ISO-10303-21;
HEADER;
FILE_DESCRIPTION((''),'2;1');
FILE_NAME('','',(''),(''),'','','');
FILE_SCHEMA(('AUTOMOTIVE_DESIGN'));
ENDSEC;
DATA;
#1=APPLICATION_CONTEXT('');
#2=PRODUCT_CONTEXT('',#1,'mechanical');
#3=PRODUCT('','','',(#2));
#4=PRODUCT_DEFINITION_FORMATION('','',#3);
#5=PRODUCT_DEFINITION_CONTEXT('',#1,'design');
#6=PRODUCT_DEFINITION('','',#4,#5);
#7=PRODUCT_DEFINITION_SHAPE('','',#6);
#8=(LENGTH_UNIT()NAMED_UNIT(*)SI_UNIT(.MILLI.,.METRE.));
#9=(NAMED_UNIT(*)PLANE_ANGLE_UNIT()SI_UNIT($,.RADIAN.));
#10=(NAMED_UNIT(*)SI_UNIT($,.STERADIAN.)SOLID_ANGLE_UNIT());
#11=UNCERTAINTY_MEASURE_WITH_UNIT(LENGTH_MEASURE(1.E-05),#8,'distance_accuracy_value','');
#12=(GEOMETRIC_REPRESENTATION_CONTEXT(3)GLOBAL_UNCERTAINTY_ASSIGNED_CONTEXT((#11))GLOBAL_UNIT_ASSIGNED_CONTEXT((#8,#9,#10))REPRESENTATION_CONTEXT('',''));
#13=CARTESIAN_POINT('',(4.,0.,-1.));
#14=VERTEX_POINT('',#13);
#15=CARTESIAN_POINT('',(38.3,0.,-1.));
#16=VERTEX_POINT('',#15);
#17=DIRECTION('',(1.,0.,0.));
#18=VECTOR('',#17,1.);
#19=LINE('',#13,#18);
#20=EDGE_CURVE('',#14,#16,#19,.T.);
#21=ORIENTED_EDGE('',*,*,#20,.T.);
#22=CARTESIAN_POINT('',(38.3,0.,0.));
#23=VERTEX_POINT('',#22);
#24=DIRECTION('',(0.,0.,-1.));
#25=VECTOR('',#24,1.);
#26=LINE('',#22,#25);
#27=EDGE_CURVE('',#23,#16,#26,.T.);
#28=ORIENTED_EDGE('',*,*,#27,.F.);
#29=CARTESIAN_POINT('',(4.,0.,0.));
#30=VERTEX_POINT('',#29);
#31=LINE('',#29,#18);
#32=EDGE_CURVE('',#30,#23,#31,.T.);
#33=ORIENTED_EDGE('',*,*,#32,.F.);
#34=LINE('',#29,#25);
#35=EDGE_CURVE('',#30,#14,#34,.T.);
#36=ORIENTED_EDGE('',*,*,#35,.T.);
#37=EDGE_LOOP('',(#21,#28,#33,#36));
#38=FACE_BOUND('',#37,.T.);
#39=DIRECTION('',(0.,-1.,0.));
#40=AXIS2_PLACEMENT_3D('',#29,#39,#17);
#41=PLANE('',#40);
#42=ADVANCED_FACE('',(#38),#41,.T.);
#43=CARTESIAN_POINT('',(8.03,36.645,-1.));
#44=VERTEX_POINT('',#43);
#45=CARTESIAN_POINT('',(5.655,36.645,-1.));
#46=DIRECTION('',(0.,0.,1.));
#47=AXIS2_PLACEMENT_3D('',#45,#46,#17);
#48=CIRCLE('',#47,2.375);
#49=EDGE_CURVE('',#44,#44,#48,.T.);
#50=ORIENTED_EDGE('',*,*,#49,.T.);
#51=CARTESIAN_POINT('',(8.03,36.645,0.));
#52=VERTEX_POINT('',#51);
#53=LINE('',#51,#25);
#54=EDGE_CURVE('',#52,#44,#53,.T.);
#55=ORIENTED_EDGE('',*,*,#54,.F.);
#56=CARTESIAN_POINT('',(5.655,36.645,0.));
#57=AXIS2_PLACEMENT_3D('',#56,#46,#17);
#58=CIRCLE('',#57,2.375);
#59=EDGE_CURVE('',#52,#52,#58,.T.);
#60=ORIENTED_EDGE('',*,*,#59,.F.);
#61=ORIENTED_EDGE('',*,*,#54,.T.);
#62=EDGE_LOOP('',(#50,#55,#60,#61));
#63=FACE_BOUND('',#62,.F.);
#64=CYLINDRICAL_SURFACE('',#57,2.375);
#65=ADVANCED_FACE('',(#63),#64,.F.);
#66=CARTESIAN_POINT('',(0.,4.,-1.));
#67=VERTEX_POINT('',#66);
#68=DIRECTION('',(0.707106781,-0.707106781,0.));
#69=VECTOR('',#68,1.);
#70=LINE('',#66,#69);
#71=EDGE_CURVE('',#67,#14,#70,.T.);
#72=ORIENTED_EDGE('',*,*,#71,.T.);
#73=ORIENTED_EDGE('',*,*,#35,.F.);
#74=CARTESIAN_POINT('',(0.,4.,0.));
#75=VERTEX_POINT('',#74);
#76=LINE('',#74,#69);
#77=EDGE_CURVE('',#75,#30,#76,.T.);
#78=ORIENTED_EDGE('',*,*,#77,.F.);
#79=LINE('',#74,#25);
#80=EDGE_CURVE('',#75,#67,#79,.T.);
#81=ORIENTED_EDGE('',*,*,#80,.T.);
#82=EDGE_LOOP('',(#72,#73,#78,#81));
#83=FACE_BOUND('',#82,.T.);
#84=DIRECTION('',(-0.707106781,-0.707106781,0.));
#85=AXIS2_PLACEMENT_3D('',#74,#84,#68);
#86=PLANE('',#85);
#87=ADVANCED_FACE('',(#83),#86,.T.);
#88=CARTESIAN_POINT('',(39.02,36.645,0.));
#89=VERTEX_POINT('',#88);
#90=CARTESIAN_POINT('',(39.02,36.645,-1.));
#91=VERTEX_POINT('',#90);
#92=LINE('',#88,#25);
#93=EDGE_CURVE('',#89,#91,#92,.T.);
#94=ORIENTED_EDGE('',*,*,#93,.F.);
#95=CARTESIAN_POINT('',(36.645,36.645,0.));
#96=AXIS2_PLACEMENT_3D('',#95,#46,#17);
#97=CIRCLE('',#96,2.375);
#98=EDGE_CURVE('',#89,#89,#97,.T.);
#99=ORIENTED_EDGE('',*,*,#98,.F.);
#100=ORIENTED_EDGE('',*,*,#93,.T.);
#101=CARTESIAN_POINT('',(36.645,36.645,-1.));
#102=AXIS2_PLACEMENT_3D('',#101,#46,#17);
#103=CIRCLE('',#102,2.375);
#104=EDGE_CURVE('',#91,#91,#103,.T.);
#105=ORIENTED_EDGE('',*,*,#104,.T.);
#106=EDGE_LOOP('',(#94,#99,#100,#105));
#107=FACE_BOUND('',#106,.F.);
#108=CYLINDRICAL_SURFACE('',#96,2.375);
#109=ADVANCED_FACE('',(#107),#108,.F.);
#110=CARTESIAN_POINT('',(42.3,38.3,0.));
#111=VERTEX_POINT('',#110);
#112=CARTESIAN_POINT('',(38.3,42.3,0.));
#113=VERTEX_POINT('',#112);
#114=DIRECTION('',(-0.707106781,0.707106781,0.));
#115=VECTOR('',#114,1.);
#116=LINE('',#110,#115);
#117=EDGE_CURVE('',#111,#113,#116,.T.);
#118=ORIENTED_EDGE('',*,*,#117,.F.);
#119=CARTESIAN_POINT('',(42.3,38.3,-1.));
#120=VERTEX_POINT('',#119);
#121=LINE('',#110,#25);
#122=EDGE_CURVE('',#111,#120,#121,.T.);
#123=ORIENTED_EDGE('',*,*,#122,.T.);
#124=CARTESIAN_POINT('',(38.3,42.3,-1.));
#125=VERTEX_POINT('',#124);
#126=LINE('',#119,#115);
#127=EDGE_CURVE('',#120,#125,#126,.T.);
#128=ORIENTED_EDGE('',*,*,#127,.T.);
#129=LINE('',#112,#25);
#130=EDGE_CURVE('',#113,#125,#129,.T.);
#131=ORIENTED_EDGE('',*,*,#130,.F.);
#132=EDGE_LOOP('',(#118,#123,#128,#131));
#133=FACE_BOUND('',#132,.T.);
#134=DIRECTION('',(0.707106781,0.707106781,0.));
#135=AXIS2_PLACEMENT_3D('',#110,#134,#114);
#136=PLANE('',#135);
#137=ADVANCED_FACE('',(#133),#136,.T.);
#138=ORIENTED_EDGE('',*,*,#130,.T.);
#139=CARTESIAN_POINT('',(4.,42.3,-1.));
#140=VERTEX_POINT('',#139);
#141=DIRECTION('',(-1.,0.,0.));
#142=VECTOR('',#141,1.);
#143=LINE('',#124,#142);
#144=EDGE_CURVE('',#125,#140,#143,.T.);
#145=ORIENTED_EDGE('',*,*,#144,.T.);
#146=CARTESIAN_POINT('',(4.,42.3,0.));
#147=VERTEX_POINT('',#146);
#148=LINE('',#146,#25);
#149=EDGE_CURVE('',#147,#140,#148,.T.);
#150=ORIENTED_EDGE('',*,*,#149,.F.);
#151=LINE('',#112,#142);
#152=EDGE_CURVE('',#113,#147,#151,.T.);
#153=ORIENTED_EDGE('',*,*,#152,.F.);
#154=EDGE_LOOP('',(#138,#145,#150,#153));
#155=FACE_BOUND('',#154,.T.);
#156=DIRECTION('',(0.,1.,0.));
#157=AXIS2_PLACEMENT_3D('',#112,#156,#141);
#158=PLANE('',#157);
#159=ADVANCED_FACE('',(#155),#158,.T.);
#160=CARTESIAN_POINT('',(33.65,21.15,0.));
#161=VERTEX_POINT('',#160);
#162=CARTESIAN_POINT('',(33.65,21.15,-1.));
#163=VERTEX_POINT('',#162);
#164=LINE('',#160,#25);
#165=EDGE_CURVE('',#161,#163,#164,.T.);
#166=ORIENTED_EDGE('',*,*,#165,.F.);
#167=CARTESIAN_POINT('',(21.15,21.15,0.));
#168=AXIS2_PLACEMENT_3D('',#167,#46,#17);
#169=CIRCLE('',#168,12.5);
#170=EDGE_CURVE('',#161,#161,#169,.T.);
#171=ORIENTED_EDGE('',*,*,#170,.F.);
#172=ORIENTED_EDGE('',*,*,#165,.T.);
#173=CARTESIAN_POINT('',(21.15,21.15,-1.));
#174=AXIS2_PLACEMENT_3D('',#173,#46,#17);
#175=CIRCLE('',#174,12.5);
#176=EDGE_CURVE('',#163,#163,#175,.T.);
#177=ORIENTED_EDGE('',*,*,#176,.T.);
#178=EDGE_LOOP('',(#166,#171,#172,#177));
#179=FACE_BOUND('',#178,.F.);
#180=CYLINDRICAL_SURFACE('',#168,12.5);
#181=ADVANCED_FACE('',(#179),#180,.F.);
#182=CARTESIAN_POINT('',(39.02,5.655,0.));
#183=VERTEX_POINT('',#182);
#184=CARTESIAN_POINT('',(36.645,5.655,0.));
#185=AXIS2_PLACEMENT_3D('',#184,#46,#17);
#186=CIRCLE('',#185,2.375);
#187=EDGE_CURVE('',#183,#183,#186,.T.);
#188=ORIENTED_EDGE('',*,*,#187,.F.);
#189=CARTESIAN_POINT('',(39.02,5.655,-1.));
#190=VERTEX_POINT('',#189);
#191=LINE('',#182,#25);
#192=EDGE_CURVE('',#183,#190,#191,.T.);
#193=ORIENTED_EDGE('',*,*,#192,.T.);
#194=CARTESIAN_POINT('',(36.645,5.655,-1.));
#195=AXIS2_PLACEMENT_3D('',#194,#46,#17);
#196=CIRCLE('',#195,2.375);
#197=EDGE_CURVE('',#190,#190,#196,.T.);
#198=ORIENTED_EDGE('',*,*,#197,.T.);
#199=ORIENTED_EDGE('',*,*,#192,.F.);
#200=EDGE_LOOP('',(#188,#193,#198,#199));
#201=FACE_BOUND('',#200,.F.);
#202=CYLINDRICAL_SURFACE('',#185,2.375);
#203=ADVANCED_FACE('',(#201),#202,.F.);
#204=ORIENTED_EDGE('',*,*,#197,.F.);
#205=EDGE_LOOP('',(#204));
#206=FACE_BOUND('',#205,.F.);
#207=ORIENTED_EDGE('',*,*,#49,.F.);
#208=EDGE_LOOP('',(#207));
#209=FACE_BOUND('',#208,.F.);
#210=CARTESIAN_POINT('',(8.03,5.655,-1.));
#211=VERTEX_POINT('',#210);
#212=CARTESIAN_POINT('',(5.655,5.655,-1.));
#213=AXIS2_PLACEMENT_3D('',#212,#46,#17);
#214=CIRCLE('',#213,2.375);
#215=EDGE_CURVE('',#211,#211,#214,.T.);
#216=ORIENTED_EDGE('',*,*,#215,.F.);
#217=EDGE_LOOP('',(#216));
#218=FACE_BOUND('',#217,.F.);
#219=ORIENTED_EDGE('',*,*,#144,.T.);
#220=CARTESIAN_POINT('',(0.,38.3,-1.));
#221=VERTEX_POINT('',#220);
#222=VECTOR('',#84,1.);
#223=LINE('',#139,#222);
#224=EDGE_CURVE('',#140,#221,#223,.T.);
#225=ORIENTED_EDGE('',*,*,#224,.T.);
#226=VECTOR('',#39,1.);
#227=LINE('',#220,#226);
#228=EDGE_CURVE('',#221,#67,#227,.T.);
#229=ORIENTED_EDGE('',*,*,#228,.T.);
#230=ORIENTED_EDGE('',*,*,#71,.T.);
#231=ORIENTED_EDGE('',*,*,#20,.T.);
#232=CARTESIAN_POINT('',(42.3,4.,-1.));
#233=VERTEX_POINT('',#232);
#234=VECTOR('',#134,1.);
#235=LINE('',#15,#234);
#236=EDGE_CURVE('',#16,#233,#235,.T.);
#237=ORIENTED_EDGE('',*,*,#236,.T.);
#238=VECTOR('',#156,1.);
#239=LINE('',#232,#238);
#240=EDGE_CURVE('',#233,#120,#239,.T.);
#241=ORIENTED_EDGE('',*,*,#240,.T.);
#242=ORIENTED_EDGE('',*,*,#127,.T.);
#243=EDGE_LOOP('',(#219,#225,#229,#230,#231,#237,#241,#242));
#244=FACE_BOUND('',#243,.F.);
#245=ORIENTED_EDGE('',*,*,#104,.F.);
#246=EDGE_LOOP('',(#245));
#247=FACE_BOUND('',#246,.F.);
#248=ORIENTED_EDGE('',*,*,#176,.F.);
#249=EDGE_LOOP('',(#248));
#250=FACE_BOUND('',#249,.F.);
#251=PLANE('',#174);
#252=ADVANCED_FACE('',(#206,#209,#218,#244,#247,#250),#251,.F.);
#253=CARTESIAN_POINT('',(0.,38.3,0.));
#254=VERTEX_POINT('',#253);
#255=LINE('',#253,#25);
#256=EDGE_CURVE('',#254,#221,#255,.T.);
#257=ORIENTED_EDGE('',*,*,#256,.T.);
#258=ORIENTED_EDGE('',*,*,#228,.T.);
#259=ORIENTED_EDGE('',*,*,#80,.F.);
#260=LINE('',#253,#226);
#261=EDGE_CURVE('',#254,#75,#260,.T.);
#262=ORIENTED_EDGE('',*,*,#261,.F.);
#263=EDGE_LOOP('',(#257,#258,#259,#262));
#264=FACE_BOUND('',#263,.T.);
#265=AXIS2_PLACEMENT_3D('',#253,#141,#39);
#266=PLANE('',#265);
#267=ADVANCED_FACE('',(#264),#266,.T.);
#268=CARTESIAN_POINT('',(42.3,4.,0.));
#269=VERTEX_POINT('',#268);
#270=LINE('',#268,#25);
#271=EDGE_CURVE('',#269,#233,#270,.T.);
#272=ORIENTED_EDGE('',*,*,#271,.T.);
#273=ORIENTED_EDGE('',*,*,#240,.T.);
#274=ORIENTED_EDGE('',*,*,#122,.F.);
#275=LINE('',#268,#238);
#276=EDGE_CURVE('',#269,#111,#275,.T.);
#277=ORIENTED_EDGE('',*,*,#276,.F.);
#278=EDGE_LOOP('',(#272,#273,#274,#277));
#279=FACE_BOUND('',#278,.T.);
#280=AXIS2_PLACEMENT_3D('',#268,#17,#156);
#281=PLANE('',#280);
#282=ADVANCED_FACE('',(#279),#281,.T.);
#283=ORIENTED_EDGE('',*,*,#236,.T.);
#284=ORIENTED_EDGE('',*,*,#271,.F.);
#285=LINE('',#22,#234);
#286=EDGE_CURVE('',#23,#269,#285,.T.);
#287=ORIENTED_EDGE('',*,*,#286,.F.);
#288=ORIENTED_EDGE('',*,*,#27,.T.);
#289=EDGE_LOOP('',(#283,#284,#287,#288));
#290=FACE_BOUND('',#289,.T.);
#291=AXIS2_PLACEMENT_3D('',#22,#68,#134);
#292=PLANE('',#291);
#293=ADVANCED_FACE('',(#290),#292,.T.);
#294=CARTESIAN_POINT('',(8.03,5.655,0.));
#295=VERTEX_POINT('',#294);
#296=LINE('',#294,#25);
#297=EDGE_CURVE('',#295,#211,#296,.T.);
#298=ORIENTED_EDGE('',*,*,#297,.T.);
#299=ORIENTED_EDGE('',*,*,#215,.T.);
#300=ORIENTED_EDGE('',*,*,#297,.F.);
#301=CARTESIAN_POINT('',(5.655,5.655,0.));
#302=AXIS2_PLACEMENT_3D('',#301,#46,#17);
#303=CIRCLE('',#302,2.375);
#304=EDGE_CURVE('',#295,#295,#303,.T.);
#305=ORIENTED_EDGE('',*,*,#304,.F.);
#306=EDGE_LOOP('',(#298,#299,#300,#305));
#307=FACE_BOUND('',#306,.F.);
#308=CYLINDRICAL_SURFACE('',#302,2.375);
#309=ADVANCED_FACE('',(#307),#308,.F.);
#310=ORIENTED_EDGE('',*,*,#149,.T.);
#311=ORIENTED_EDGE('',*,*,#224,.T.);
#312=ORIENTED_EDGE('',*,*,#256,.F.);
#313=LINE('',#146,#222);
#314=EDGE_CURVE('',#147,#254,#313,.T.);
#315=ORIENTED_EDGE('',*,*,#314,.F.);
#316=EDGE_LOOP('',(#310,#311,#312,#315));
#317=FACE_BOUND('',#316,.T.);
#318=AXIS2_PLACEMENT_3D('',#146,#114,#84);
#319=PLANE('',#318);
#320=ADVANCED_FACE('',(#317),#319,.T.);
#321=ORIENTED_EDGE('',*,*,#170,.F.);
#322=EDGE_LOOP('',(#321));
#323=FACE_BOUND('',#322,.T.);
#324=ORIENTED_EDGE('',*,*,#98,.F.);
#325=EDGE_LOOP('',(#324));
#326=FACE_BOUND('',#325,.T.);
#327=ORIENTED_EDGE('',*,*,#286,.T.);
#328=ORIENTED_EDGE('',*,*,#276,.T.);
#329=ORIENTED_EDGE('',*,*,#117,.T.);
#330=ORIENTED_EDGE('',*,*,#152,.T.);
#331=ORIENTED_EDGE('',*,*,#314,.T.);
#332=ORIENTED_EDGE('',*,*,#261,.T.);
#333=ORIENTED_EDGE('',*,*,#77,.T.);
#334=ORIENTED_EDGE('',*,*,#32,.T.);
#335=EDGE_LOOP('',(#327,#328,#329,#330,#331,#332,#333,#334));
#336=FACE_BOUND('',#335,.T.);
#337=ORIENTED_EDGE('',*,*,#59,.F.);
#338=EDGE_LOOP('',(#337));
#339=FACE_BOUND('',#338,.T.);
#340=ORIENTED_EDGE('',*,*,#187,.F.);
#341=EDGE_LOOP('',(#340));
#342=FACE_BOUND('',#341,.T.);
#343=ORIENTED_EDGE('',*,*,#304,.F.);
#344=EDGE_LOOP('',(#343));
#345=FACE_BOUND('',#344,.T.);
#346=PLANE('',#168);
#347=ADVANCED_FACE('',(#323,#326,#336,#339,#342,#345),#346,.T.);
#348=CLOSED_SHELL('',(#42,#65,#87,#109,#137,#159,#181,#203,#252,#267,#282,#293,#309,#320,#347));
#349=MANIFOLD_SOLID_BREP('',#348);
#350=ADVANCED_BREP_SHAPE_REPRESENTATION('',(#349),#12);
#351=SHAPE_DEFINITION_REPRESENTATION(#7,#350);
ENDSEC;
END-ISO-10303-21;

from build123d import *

# Parameters (mm, degrees)
F0_R     = 2.375
F0_R_2   = 12.5
F1_DEPTH = 1


with BuildPart() as f1:
    # F0 (on Top) → F1 (new body)
    with BuildSketch(Plane.XY):
        Polygon((0, 4), (4, 0), (38.3, 0), (42.3, 4), (42.3, 38.3), (38.3, 42.3), (4, 42.3), (0, 38.3), align=None)
        with Locations((5.655, 5.655)):
            Circle(F0_R, mode=Mode.SUBTRACT)
        with Locations((36.645, 5.655)):
            Circle(F0_R, mode=Mode.SUBTRACT)
        with Locations((5.655, 36.645)):
            Circle(F0_R, mode=Mode.SUBTRACT)
        with Locations((21.15, 21.15)):
            Circle(F0_R_2, mode=Mode.SUBTRACT)
        with Locations((36.645, 36.645)):
            Circle(F0_R, mode=Mode.SUBTRACT)
    extrude(amount=-F1_DEPTH)


solid = f1.part
